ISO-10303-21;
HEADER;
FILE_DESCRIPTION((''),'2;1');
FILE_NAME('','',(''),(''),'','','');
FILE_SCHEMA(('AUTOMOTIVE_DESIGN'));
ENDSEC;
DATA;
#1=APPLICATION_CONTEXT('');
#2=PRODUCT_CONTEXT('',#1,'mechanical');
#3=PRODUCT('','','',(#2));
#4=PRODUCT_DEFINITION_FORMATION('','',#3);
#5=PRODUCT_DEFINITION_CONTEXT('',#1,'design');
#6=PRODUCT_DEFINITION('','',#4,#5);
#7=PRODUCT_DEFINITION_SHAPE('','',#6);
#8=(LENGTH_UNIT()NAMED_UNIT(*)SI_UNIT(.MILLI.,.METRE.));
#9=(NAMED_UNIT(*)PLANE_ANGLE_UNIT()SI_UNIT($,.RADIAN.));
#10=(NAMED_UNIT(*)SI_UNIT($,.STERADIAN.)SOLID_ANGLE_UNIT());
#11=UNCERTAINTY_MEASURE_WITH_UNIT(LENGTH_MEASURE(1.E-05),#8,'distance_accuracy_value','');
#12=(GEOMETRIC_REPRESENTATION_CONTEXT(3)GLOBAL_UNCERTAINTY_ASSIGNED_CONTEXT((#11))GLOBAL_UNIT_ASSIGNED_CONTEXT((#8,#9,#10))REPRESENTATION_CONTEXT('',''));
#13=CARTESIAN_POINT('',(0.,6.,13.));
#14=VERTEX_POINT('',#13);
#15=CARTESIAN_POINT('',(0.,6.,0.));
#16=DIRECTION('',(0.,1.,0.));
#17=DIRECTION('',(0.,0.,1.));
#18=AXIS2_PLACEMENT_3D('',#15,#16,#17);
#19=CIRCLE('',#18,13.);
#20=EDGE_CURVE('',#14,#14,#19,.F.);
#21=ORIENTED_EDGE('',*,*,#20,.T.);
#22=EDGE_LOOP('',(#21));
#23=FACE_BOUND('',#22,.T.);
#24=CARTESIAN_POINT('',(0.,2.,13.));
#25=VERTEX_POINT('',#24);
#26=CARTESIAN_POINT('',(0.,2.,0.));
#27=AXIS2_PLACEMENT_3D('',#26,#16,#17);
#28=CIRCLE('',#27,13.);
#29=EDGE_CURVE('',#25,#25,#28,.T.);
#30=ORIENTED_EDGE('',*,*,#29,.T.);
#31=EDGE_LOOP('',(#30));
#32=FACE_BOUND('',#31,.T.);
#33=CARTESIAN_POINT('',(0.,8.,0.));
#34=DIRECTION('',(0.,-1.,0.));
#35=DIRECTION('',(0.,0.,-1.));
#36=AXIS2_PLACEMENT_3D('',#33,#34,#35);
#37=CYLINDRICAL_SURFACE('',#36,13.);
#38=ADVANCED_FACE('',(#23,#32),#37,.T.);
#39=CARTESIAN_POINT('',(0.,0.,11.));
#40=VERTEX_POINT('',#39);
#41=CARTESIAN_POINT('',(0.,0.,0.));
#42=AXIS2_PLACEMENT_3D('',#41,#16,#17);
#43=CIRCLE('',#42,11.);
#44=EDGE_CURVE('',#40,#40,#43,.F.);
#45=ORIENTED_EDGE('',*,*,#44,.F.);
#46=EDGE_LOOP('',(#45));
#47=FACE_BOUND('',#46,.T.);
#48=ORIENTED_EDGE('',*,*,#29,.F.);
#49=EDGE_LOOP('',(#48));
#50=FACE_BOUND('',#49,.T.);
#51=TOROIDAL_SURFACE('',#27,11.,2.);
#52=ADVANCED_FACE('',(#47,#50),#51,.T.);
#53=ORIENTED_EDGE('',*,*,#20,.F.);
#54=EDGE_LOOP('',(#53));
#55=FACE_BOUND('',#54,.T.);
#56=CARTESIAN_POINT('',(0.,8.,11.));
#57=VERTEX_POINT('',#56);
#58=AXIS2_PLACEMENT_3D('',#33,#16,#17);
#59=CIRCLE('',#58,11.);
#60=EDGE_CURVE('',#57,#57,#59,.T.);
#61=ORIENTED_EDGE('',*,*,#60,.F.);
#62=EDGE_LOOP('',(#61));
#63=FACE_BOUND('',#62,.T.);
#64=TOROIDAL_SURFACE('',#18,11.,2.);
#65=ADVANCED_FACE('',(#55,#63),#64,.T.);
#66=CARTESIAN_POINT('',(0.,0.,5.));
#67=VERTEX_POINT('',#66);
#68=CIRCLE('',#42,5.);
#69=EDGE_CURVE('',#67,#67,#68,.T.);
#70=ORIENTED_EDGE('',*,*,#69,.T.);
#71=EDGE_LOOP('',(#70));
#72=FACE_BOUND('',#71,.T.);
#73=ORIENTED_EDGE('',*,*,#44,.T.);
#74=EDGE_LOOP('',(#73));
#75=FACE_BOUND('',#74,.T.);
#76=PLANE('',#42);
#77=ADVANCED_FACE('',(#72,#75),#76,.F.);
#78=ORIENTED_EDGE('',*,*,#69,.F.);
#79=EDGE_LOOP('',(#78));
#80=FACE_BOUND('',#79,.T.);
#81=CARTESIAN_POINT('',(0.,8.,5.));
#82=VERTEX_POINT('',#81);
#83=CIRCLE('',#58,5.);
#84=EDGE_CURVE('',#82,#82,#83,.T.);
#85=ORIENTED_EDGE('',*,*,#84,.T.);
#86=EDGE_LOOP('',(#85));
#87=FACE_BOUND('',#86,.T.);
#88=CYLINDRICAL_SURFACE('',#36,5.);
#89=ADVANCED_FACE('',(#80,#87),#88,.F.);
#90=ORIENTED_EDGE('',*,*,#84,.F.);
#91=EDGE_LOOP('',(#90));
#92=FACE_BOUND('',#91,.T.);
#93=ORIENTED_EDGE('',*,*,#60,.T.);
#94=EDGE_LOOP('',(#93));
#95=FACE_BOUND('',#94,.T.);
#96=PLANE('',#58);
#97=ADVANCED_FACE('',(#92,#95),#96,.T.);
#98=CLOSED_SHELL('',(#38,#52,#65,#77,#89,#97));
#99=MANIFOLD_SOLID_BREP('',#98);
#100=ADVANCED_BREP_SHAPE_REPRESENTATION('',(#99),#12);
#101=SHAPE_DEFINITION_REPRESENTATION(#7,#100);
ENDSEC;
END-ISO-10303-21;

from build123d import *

# Parameters (mm, degrees)
SKETCH1_R           = 13
SKETCH1_R_2         = 5
BOSS_EXTRUDE1_DEPTH = 8
FILLET1_R           = 2


with BuildPart() as part:
    # Sketch1 → Boss-Extrude1 (new body)
    with BuildSketch(Plane(origin=(0, 0, 0), x_dir=(1, 0, 0), z_dir=(0, 1, 0))):
        with Locations(Location((0, 0, 0), (0, 0, 270))):
            Circle(SKETCH1_R)
        with Locations(Location((0, 0, 0), (0, 0, 270))):
            Circle(SKETCH1_R_2, mode=Mode.SUBTRACT)
    extrude(amount=BOSS_EXTRUDE1_DEPTH)

    # Fillet1
    fillet1_edges = [part.edges().sort_by_distance(p)[0] for p in [
        (0, 0, -13),
        (0, 8, -13),
    ]]
    fillet(fillet1_edges, radius=FILLET1_R)


solid = part.part
